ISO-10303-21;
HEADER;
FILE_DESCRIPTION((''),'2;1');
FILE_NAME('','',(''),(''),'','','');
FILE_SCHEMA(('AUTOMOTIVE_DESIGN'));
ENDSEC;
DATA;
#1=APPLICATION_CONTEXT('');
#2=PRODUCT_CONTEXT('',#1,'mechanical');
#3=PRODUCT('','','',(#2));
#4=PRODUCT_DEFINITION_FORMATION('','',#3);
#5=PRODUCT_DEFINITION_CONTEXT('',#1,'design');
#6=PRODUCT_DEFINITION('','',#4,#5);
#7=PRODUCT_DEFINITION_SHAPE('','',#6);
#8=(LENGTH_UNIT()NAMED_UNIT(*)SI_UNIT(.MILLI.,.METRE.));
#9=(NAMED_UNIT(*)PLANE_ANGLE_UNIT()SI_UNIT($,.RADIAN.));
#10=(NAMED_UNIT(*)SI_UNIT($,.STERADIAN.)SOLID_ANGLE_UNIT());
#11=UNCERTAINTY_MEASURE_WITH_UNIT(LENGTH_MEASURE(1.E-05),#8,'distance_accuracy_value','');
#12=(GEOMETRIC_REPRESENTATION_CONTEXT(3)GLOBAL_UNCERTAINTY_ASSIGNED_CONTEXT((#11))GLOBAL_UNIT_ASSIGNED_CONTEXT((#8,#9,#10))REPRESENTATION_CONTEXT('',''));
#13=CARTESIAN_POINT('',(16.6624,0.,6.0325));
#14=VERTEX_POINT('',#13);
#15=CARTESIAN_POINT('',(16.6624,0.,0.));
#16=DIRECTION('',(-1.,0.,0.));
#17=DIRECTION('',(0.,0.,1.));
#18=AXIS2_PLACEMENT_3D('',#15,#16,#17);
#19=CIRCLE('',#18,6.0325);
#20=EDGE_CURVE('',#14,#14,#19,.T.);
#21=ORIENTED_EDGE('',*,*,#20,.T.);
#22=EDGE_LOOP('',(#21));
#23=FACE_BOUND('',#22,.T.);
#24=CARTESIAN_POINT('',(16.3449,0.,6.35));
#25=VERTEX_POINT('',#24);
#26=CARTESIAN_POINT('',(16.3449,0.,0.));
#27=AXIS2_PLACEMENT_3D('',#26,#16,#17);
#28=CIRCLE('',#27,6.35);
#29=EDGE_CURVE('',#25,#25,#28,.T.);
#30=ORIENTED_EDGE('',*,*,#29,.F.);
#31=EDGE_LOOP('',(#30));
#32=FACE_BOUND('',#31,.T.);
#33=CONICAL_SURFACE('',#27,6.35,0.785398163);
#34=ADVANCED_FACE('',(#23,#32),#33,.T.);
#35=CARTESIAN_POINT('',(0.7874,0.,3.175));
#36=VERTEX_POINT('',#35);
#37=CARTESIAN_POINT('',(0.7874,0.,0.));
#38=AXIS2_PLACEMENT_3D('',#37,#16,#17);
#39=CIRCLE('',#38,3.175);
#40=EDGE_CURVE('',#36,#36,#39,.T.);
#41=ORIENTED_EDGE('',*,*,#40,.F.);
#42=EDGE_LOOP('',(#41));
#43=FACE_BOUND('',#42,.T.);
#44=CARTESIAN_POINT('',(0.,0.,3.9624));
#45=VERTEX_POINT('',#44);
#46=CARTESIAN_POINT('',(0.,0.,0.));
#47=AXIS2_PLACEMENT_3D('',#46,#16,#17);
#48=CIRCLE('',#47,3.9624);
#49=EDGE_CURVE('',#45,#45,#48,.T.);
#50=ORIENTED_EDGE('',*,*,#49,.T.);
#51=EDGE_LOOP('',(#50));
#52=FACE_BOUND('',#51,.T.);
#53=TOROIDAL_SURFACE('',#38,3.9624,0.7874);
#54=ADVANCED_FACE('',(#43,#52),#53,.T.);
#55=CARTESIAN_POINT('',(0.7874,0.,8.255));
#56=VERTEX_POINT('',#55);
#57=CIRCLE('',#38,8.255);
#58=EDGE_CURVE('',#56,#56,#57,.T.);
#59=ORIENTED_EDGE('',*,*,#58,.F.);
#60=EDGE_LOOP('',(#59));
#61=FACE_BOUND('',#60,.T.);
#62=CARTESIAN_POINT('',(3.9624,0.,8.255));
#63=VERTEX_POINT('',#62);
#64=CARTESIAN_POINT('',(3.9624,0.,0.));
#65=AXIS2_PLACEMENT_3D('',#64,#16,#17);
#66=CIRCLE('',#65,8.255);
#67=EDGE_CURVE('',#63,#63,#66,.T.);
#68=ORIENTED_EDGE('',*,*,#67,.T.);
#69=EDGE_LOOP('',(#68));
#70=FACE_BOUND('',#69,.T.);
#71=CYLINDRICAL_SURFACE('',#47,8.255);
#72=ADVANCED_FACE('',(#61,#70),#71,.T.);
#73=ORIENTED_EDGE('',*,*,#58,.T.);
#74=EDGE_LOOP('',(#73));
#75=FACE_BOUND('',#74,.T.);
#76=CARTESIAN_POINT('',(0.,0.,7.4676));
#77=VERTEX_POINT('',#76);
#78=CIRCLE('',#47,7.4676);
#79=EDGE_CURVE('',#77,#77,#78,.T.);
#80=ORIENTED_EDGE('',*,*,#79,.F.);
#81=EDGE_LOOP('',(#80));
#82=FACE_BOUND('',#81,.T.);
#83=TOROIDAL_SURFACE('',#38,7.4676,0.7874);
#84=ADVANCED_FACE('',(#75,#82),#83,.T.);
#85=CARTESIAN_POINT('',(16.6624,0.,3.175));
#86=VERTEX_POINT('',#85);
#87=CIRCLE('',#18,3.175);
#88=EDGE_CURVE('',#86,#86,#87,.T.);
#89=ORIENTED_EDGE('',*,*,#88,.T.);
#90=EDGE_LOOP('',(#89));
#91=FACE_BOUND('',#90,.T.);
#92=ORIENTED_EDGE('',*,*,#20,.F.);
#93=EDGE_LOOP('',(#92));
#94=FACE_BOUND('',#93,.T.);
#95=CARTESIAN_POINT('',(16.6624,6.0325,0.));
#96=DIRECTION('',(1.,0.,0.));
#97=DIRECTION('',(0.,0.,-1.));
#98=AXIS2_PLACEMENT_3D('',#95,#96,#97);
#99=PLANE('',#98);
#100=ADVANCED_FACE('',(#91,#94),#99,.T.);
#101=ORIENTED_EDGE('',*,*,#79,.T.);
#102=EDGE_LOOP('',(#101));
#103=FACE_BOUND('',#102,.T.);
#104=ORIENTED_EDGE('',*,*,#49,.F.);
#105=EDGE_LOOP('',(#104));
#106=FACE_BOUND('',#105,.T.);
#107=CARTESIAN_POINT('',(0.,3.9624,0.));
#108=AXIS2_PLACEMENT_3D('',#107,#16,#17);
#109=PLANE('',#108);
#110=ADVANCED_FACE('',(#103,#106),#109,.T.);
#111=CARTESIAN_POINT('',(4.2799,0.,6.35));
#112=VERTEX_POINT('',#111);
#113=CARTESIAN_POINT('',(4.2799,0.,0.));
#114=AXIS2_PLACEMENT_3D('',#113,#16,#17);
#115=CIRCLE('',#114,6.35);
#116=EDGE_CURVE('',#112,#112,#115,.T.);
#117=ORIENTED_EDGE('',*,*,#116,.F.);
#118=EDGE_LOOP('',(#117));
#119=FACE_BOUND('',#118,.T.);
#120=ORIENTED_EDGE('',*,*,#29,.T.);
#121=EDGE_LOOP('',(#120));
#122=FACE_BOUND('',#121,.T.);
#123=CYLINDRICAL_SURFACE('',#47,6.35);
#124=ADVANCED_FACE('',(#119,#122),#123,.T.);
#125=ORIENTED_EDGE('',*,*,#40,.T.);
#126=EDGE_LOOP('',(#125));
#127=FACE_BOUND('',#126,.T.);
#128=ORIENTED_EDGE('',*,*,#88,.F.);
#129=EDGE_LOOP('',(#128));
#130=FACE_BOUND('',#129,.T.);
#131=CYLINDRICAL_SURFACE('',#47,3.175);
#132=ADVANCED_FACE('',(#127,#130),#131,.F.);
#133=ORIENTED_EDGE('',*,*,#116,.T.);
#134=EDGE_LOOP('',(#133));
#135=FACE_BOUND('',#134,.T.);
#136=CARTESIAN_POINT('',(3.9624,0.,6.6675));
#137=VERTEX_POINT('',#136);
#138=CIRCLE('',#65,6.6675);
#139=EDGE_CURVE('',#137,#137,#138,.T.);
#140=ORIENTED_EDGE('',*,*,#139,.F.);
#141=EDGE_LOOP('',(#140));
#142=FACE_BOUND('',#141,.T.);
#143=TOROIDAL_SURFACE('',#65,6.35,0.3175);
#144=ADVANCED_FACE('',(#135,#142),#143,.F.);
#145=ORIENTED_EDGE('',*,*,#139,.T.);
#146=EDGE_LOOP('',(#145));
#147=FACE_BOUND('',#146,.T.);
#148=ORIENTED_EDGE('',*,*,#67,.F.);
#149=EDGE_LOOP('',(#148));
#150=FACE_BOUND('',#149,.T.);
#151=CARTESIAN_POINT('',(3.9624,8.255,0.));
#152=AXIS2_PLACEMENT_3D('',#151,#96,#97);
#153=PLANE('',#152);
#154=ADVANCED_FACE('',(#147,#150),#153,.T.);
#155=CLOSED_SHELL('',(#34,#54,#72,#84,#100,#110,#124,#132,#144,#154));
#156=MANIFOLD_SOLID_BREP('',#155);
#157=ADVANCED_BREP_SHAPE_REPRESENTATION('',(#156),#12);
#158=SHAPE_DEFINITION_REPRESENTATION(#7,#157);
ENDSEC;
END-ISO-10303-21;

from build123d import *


with BuildPart() as part:
    # Sketch1 → BaseBody (revolve)
    with BuildSketch(Plane.XY):
        with BuildLine():
            Line((0, 3.9624), (0, 7.4676))
            ThreePointArc((0, 7.4676), (0.23062412, 8.02437588), (0.7874, 8.255))
            Line((0.7874, 8.255), (3.9624, 8.255))
            Line((3.9624, 8.255), (3.9624, 6.6675))
            ThreePointArc((3.9624, 6.6675), (3.737893597, 6.125493597), (4.2799, 6.35))
            Line((4.2799, 6.35), (16.3449, 6.35))
            Line((16.3449, 6.35), (16.6624, 6.0325))
            Line((16.6624, 6.0325), (16.6624, 3.175))
            Line((16.6624, 3.175), (0.7874, 3.175))
            ThreePointArc((0.7874, 3.175), (0.23062412, 3.40562412), (0, 3.9624))
        make_face()
    revolve(axis=Axis((0, 0, 0), (1, 0, 0)))


solid = part.part
